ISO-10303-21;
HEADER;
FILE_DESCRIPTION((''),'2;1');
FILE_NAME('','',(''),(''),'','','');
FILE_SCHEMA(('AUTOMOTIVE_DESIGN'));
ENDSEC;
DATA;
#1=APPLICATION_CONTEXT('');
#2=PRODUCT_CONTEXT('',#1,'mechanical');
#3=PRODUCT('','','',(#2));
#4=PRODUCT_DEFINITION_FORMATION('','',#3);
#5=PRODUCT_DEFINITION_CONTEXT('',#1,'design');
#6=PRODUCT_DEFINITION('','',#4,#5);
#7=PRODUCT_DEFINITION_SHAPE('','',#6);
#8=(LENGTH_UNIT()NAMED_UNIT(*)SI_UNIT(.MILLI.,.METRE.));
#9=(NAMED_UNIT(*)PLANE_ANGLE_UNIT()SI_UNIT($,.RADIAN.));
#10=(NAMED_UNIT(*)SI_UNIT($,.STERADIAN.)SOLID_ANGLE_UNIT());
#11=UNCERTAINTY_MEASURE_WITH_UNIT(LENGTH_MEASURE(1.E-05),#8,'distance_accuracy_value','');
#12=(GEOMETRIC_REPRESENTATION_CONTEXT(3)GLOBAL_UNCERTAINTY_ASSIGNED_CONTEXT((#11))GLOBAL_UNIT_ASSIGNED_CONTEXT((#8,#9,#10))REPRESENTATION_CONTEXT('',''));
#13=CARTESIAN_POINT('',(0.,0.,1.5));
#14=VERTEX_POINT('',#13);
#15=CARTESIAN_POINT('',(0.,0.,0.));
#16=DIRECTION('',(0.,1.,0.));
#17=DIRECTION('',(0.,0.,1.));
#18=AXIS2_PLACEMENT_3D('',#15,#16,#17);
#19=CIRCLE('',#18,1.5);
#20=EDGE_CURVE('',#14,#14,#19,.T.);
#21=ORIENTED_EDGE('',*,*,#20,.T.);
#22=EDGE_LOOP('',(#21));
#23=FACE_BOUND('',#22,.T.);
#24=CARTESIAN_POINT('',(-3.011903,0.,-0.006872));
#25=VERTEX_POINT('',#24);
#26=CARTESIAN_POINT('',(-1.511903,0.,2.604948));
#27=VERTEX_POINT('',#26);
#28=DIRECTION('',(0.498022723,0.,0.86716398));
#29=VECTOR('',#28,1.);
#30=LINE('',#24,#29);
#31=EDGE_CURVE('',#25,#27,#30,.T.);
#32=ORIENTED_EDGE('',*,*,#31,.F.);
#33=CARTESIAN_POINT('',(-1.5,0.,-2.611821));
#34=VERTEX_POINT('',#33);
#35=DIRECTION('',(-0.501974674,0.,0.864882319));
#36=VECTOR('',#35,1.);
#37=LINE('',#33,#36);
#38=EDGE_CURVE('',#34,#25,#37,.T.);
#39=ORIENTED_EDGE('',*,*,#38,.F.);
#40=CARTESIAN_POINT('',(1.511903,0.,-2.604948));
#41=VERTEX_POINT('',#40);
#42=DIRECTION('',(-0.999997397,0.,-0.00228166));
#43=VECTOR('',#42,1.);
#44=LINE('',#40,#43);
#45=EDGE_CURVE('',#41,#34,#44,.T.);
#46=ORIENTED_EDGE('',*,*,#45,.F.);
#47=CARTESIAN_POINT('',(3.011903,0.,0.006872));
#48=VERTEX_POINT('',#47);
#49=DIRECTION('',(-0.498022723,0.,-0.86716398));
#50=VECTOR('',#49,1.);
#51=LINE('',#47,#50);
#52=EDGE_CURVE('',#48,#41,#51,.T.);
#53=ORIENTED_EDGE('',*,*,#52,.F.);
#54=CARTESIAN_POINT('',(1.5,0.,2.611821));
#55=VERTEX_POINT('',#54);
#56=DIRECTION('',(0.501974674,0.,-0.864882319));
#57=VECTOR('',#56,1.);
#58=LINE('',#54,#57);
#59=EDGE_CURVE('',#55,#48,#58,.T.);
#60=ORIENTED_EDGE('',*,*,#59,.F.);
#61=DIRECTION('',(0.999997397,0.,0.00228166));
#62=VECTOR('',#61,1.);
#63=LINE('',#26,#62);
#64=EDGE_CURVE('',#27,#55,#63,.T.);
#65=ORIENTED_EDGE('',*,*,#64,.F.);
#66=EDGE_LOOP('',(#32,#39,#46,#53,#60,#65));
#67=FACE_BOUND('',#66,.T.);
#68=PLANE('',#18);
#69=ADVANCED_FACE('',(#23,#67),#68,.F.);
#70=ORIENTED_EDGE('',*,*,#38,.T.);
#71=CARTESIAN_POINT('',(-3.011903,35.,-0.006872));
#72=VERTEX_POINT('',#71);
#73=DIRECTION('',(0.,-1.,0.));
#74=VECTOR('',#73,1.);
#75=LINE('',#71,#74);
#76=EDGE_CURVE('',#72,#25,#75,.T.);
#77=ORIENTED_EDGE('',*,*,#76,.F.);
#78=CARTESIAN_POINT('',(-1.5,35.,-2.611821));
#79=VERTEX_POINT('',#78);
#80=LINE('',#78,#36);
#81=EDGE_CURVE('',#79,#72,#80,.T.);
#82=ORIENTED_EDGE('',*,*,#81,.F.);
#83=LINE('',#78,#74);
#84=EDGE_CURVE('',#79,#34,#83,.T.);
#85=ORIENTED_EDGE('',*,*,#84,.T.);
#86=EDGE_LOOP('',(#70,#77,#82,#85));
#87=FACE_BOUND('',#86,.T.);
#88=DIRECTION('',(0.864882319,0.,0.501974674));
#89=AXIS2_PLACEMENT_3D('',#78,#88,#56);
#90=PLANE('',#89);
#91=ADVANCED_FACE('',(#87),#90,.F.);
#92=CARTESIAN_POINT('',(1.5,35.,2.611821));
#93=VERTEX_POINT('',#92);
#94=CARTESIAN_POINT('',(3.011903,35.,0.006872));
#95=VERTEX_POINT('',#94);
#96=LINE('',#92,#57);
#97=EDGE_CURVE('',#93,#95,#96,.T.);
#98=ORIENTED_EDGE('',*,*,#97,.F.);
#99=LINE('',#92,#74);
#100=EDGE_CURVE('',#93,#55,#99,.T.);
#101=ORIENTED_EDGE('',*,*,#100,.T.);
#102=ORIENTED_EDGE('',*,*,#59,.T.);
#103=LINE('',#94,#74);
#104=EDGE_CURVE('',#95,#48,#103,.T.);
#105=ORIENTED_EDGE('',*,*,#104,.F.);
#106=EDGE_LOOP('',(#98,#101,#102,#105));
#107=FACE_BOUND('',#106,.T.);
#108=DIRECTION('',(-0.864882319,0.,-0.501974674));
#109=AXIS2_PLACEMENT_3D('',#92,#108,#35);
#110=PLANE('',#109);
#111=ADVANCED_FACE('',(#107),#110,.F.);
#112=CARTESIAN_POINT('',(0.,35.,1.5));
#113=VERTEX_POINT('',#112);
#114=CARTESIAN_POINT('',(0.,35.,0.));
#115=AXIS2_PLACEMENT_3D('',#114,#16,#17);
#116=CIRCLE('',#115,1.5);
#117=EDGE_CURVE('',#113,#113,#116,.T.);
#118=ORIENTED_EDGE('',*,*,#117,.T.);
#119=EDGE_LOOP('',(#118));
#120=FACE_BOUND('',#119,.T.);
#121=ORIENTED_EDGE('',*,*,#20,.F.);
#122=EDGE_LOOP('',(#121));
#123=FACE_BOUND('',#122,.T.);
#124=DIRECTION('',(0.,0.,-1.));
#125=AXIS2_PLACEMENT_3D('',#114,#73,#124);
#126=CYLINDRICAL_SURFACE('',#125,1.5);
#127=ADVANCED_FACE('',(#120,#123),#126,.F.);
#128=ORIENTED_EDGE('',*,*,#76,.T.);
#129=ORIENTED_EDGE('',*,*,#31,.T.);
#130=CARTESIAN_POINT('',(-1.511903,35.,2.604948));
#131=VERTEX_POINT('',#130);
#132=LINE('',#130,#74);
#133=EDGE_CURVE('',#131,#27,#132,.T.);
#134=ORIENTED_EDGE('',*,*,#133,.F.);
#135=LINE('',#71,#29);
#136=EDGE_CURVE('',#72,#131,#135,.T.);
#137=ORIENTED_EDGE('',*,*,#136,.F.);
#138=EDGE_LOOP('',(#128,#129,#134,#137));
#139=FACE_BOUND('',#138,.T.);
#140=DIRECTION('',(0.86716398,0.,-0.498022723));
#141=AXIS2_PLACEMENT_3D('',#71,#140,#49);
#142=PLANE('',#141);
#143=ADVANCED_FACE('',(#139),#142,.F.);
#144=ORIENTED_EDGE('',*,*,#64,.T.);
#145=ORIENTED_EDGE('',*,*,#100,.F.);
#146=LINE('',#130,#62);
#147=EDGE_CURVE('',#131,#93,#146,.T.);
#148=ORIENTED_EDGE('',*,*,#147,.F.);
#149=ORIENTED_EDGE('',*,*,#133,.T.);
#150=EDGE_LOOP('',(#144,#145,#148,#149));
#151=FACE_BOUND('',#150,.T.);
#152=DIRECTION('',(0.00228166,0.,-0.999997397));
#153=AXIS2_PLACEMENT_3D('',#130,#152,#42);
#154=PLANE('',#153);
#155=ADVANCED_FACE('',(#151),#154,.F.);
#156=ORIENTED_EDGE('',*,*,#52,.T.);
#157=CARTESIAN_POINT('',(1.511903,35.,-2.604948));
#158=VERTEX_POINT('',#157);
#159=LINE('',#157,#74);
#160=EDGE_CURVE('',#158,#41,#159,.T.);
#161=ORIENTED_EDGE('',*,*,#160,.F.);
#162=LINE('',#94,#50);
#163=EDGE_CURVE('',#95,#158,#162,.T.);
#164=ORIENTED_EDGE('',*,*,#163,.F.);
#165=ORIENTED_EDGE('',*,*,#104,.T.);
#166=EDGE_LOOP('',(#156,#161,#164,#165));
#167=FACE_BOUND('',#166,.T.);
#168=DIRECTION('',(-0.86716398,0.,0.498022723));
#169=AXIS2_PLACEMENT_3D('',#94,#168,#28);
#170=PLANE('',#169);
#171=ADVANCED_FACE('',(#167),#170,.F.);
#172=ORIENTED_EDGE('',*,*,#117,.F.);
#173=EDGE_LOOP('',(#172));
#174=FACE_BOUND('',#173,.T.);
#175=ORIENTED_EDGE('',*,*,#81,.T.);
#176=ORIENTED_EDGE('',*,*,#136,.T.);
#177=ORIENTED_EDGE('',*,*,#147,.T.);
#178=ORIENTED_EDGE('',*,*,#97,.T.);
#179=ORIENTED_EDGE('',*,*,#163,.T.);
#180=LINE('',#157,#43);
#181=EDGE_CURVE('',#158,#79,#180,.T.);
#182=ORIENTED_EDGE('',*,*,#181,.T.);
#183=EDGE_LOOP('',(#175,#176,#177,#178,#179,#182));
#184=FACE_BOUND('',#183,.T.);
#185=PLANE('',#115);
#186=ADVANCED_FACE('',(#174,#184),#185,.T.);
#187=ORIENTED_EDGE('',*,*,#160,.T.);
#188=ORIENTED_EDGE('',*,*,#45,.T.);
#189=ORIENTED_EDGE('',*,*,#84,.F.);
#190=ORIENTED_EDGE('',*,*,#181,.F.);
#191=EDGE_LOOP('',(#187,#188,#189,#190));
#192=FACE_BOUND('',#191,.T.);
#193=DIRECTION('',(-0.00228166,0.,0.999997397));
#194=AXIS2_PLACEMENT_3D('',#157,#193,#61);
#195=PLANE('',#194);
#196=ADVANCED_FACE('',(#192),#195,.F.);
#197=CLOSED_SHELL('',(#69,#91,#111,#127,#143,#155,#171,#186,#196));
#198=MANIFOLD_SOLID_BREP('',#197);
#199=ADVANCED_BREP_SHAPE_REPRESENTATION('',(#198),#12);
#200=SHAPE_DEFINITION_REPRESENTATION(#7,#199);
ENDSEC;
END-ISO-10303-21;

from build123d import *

# Parameters (mm, degrees)
SKETCH1_R           = 1.5
BOSS_EXTRUDE1_DEPTH = 35


with BuildPart() as part:
    # Sketch1 → Boss-Extrude1 (new body)
    with BuildSketch(Plane(origin=(0, 0, 0), x_dir=(1, 0, 0), z_dir=(0, 1, 0))):
        Polygon((1.5, -2.611820524), (3.011902924, -0.006872157), (1.511902924, 2.604948368), (-1.5, 2.611820524), (-3.011902924, 0.006872157), (-1.511902924, -2.604948368), align=None)
        Circle(SKETCH1_R, mode=Mode.SUBTRACT)
    extrude(amount=BOSS_EXTRUDE1_DEPTH)


solid = part.part
